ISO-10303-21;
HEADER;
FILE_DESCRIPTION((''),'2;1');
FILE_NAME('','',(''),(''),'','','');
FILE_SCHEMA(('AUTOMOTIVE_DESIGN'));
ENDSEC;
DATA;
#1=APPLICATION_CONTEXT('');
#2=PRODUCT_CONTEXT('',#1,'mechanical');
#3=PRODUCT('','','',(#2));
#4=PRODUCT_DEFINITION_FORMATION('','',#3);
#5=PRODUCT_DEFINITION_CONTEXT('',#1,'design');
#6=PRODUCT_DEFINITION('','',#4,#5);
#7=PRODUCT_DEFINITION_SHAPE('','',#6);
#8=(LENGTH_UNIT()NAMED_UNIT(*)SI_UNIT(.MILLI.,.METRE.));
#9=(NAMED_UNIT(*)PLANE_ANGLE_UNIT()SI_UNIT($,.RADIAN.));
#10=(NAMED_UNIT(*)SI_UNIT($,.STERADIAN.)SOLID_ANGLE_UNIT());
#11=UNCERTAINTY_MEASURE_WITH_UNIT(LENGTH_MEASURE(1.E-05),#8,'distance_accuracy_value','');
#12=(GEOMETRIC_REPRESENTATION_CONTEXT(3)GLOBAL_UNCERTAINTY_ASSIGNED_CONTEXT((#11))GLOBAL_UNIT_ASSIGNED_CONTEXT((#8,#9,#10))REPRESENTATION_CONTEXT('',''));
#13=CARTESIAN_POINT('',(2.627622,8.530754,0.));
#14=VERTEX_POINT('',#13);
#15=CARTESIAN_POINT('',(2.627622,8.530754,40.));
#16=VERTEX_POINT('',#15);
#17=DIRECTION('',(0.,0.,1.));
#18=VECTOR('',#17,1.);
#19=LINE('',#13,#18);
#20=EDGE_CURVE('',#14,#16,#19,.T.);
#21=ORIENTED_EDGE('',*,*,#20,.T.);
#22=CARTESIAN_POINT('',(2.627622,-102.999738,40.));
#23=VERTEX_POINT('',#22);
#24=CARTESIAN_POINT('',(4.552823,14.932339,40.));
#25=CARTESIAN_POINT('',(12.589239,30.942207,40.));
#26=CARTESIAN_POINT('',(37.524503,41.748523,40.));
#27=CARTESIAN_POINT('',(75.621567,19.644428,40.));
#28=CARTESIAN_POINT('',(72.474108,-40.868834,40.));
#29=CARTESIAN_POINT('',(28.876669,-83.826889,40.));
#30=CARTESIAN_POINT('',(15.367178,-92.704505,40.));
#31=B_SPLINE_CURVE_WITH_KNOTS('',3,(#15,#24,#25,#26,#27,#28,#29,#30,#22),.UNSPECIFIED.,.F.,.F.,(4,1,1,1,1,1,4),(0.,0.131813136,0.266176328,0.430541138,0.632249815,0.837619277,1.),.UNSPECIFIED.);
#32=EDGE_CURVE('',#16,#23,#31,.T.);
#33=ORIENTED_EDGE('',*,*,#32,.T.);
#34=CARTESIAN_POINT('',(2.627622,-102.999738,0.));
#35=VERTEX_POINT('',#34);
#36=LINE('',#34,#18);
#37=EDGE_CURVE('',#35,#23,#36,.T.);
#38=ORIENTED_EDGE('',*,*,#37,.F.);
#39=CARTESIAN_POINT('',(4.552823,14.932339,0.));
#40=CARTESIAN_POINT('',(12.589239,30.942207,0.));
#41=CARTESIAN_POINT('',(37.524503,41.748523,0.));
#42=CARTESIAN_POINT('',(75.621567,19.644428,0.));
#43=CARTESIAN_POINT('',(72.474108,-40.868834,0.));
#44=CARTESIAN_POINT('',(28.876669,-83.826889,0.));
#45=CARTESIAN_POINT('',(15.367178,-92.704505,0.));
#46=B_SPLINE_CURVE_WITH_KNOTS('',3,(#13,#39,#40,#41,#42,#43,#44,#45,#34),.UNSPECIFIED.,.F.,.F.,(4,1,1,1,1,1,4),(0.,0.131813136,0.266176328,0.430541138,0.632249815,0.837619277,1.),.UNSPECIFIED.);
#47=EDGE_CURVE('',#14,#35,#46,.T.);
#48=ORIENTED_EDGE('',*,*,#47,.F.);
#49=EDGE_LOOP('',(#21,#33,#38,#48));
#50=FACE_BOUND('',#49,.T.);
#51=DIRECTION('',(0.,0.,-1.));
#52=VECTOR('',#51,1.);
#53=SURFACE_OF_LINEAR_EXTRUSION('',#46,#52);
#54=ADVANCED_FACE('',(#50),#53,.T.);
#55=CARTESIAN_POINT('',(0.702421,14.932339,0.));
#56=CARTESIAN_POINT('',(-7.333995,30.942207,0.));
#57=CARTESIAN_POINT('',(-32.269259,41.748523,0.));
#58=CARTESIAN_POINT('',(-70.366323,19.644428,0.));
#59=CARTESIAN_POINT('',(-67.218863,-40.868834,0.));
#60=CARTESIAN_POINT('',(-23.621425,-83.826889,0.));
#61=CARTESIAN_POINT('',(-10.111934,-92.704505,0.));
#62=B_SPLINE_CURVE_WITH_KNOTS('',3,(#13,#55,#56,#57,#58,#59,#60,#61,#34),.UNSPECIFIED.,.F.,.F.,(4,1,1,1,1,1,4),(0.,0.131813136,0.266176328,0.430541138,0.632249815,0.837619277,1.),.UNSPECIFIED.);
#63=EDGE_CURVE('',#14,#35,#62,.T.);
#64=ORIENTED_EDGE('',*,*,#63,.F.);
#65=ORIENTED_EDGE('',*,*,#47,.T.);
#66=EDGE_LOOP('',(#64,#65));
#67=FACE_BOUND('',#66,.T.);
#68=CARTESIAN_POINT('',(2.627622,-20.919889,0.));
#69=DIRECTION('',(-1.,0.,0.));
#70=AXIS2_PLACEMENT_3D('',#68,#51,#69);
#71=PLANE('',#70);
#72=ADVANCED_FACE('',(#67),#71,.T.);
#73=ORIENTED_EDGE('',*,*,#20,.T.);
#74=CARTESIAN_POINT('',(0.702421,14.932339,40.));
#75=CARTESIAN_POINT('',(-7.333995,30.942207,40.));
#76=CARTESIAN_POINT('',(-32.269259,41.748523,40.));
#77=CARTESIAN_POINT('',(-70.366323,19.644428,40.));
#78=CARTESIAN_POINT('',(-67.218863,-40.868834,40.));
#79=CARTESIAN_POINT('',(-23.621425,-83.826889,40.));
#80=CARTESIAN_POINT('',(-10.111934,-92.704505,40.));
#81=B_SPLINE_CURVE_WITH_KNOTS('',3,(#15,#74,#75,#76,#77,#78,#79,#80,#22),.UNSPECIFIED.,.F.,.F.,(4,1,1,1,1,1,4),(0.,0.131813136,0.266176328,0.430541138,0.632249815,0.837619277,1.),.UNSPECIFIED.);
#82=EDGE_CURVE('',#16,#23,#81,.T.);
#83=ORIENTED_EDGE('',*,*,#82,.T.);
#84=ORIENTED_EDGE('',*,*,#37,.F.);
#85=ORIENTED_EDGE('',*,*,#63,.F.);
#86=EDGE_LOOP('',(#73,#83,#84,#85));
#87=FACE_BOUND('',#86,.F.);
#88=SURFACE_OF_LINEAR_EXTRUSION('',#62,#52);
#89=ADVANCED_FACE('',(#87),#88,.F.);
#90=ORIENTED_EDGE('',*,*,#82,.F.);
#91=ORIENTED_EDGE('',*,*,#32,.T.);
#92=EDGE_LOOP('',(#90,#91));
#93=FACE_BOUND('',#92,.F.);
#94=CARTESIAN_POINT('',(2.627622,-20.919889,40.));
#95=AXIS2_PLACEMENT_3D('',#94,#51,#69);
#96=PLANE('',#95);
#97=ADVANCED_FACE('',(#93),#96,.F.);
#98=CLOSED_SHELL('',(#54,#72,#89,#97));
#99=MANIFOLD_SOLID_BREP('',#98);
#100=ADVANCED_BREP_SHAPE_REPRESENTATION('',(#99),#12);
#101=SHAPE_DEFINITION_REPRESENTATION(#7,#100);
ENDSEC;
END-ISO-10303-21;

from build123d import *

# Parameters (mm, degrees)
F1_DEPTH = 40


with BuildPart() as f1:
    # F0 (on Top) → F1 (new body)
    with BuildSketch(Plane.XY):
        with BuildLine():
            add(Edge.make_bspline(
                [(2.6276221033, 8.5307536647), (4.5528227925, 14.9323386964), (12.5892390644, 30.9422068211), (37.5245030602, 41.748522773), (75.6215667976, 19.6444276913), (72.4741076627, -40.868834064), (28.8766694944, -83.8268887696), (15.3671781021, -92.7045045983), (2.6276221033, -102.9997383739)],
                knots=[0, 0, 0, 0, 0.131813136, 0.2661763282, 0.4305411385, 0.6322498153, 0.8376192768, 1, 1, 1, 1], degree=3))
            add(Edge.make_bspline(
                [(2.6276221033, 8.5307536647), (0.7024214142, 14.9323386964), (-7.3339948578, 30.9422068211), (-32.2692588536, 41.748522773), (-70.366322591, 19.6444276913), (-67.2188634561, -40.868834064), (-23.6214252877, -83.8268887696), (-10.1119338955, -92.7045045983), (2.6276221033, -102.9997383739)],
                knots=[0, 0, 0, 0, 0.131813136, 0.2661763282, 0.4305411385, 0.6322498153, 0.8376192768, 1, 1, 1, 1], degree=3))
        make_face()
    extrude(amount=F1_DEPTH)


solid = f1.part
